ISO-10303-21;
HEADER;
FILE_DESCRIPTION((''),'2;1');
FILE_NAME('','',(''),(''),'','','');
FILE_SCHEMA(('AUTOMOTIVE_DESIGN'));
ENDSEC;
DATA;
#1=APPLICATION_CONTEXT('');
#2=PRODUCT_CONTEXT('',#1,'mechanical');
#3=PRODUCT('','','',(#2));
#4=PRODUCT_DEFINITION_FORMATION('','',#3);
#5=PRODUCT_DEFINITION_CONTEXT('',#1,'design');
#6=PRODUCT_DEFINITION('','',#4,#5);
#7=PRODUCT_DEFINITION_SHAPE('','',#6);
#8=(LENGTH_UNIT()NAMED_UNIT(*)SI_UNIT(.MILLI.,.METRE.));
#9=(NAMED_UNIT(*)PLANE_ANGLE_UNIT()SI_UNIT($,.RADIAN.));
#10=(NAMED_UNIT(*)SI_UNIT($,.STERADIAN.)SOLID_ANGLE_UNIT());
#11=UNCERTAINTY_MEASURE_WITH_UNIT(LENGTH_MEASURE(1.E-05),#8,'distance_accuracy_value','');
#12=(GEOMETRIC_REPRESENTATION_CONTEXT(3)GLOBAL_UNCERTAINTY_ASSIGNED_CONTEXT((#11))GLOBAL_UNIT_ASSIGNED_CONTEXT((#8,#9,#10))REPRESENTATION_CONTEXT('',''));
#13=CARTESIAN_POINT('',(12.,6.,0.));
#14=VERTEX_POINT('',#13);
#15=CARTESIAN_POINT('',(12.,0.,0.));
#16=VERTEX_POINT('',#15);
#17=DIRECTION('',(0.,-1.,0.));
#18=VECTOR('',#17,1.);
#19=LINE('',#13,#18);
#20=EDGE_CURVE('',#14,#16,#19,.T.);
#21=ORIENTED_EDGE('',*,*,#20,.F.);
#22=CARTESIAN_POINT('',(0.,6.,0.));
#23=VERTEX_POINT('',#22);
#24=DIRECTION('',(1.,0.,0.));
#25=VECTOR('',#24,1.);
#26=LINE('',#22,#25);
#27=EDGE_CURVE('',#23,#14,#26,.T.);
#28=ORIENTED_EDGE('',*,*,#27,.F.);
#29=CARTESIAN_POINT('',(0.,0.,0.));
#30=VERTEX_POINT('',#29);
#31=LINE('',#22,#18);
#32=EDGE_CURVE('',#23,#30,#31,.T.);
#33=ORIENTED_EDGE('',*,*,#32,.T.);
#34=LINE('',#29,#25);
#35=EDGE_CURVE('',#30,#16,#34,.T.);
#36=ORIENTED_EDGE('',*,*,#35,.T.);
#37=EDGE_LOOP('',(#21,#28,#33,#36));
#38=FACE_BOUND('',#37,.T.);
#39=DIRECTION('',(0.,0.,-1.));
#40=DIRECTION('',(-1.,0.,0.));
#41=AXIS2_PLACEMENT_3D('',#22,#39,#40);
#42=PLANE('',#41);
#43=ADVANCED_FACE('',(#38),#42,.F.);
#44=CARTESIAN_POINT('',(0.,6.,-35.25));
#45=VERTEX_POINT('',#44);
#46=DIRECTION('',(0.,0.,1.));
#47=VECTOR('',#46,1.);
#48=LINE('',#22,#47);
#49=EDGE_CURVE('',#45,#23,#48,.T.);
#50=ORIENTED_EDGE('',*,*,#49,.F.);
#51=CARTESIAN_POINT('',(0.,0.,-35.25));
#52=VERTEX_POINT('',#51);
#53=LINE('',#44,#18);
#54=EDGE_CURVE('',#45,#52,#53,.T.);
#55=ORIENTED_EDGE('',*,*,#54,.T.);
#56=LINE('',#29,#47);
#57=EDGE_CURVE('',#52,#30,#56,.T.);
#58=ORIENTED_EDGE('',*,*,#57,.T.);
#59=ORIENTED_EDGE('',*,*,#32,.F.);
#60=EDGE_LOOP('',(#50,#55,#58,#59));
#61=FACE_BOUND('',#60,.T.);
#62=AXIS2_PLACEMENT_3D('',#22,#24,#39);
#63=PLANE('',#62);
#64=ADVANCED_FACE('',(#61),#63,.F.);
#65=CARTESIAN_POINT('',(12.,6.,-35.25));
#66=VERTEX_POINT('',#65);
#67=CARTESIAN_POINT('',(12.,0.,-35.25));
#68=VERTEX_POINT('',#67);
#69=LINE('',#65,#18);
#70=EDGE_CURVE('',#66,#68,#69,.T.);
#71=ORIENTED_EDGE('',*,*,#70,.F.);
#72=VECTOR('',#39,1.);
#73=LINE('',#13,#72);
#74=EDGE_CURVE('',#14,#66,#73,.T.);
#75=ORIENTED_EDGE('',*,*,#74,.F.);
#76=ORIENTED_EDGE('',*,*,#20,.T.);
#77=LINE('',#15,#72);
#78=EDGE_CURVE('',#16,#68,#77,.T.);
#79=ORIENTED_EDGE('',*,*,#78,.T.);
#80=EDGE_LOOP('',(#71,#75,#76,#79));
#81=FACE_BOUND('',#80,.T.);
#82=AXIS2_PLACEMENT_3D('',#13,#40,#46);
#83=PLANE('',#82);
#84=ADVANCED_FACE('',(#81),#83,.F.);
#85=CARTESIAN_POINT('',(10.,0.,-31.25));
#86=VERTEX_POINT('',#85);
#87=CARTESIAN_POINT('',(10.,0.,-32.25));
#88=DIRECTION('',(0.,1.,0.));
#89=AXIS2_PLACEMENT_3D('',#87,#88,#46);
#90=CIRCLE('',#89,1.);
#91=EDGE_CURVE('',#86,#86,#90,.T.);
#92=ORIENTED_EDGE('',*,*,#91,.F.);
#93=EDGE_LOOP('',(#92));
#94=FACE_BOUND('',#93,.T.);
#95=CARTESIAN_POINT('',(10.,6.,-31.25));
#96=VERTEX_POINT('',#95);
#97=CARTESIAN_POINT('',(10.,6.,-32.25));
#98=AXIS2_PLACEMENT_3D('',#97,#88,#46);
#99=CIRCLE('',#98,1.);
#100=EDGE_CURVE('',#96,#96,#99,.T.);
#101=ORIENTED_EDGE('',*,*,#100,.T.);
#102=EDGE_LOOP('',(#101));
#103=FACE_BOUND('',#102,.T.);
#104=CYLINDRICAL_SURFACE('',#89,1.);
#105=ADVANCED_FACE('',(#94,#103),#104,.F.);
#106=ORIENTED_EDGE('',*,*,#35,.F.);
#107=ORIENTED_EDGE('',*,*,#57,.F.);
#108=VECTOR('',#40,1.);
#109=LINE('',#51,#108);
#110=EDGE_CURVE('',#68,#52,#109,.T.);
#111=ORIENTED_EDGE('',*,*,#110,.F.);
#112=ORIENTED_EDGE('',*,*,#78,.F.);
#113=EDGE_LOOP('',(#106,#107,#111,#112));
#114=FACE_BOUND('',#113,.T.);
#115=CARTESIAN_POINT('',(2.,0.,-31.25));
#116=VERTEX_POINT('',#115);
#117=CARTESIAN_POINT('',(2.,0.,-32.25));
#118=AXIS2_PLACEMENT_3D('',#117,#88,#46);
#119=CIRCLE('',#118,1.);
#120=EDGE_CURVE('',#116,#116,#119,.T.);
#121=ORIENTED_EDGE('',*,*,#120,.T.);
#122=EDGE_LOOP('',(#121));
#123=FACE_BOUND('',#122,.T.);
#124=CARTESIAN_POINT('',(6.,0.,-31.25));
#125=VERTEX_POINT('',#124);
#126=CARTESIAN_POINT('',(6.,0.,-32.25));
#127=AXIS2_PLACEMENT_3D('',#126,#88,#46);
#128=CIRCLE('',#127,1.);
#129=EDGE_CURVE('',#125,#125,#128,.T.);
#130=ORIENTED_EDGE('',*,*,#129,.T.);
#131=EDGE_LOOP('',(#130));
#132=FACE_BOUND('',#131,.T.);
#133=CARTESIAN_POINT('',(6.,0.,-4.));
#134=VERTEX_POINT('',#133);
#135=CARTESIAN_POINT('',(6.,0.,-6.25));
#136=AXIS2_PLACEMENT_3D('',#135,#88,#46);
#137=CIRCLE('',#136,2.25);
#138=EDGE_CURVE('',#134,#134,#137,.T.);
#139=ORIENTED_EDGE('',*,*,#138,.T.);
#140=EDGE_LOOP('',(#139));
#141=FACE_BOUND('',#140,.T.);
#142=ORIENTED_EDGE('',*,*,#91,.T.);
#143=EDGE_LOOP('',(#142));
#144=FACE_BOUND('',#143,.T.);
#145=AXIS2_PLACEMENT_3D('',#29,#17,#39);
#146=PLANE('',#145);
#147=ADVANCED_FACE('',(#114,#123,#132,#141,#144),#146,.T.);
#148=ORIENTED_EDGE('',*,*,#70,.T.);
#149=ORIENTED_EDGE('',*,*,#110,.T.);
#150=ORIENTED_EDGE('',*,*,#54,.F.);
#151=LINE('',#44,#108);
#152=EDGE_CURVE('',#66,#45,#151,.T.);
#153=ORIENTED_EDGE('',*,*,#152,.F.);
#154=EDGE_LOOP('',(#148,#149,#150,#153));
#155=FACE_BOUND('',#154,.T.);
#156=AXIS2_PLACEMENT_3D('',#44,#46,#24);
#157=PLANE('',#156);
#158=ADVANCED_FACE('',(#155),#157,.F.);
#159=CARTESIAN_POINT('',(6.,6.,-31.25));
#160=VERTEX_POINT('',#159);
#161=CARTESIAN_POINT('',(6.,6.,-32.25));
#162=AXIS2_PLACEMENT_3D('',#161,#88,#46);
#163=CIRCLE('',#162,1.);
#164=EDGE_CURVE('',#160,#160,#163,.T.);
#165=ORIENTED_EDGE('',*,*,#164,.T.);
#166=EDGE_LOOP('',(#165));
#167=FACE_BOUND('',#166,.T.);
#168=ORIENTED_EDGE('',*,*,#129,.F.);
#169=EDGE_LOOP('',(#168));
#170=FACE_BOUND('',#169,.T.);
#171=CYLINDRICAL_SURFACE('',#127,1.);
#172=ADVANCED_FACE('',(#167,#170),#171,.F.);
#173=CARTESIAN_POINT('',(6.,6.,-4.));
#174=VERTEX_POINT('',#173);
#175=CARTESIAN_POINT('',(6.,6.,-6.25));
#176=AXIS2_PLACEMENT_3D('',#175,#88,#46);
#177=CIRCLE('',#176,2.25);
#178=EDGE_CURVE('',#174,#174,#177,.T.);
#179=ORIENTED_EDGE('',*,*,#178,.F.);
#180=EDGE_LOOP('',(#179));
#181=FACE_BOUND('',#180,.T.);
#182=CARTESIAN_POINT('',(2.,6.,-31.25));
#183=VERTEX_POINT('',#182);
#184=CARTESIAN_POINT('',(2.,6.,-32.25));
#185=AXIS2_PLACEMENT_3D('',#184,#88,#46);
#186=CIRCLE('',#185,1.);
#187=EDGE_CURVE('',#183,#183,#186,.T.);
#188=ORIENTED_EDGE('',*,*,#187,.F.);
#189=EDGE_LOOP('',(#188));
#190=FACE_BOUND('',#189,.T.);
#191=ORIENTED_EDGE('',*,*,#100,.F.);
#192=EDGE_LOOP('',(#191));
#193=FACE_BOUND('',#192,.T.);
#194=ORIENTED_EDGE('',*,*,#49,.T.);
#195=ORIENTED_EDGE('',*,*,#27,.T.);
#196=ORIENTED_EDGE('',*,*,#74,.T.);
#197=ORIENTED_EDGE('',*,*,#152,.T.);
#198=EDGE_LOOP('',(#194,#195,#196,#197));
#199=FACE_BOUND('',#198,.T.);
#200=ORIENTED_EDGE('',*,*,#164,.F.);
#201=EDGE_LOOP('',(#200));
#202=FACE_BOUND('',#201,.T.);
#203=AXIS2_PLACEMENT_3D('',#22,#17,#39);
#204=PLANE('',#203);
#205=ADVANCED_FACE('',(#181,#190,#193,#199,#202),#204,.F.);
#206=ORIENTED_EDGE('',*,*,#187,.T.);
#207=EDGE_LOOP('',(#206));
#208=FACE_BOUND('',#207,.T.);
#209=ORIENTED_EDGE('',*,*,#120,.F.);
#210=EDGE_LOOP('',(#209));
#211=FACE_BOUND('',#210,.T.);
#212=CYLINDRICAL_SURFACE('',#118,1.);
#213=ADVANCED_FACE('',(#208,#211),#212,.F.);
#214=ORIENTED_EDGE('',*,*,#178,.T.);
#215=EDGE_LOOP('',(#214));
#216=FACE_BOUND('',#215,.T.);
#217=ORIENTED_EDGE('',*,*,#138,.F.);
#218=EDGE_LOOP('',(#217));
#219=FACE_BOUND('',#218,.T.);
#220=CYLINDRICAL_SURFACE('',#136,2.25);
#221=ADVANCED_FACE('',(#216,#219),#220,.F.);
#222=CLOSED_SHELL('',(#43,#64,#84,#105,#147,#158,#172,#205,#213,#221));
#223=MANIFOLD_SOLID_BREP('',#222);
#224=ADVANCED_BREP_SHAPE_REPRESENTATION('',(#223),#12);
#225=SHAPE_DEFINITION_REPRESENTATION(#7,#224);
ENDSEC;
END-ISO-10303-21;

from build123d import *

# Parameters (mm, degrees)
SKETCH1_W           = 12
SKETCH1_H           = 35.25
BOSS_EXTRUDE1_DEPTH = 6
SKETCH2_R           = 1
SKETCH2_R_2         = 2.25
CUT_EXTRUDE1_DEPTH  = 38.716872882


with BuildPart() as part:
    # Sketch1 → Boss-Extrude1 (new body)
    with BuildSketch(Plane(origin=(0, 0, 0), x_dir=(1, 0, 0), z_dir=(0, 1, 0))):
        with Locations((6, 17.625)):
            Rectangle(SKETCH1_W, SKETCH1_H)
    extrude(amount=BOSS_EXTRUDE1_DEPTH)

    # Sketch2 → Cut-Extrude1 (cut, through all)
    with BuildSketch(Plane(origin=(0, 6, 0), x_dir=(1, 0, 0), z_dir=(0, 1, 0))):
        with Locations(Location((10, 32.25, 0), (0, 0, 270))):
            Circle(SKETCH2_R)
        with Locations(Location((6, 6.25, 0), (0, 0, 270))):
            Circle(SKETCH2_R_2)
        with Locations(Location((2, 32.25, 0), (0, 0, 270))):
            Circle(SKETCH2_R)
        with Locations(Location((6, 32.25, 0), (0, 0, 270))):
            Circle(SKETCH2_R)
    extrude(amount=-CUT_EXTRUDE1_DEPTH, mode=Mode.SUBTRACT)


solid = part.part
